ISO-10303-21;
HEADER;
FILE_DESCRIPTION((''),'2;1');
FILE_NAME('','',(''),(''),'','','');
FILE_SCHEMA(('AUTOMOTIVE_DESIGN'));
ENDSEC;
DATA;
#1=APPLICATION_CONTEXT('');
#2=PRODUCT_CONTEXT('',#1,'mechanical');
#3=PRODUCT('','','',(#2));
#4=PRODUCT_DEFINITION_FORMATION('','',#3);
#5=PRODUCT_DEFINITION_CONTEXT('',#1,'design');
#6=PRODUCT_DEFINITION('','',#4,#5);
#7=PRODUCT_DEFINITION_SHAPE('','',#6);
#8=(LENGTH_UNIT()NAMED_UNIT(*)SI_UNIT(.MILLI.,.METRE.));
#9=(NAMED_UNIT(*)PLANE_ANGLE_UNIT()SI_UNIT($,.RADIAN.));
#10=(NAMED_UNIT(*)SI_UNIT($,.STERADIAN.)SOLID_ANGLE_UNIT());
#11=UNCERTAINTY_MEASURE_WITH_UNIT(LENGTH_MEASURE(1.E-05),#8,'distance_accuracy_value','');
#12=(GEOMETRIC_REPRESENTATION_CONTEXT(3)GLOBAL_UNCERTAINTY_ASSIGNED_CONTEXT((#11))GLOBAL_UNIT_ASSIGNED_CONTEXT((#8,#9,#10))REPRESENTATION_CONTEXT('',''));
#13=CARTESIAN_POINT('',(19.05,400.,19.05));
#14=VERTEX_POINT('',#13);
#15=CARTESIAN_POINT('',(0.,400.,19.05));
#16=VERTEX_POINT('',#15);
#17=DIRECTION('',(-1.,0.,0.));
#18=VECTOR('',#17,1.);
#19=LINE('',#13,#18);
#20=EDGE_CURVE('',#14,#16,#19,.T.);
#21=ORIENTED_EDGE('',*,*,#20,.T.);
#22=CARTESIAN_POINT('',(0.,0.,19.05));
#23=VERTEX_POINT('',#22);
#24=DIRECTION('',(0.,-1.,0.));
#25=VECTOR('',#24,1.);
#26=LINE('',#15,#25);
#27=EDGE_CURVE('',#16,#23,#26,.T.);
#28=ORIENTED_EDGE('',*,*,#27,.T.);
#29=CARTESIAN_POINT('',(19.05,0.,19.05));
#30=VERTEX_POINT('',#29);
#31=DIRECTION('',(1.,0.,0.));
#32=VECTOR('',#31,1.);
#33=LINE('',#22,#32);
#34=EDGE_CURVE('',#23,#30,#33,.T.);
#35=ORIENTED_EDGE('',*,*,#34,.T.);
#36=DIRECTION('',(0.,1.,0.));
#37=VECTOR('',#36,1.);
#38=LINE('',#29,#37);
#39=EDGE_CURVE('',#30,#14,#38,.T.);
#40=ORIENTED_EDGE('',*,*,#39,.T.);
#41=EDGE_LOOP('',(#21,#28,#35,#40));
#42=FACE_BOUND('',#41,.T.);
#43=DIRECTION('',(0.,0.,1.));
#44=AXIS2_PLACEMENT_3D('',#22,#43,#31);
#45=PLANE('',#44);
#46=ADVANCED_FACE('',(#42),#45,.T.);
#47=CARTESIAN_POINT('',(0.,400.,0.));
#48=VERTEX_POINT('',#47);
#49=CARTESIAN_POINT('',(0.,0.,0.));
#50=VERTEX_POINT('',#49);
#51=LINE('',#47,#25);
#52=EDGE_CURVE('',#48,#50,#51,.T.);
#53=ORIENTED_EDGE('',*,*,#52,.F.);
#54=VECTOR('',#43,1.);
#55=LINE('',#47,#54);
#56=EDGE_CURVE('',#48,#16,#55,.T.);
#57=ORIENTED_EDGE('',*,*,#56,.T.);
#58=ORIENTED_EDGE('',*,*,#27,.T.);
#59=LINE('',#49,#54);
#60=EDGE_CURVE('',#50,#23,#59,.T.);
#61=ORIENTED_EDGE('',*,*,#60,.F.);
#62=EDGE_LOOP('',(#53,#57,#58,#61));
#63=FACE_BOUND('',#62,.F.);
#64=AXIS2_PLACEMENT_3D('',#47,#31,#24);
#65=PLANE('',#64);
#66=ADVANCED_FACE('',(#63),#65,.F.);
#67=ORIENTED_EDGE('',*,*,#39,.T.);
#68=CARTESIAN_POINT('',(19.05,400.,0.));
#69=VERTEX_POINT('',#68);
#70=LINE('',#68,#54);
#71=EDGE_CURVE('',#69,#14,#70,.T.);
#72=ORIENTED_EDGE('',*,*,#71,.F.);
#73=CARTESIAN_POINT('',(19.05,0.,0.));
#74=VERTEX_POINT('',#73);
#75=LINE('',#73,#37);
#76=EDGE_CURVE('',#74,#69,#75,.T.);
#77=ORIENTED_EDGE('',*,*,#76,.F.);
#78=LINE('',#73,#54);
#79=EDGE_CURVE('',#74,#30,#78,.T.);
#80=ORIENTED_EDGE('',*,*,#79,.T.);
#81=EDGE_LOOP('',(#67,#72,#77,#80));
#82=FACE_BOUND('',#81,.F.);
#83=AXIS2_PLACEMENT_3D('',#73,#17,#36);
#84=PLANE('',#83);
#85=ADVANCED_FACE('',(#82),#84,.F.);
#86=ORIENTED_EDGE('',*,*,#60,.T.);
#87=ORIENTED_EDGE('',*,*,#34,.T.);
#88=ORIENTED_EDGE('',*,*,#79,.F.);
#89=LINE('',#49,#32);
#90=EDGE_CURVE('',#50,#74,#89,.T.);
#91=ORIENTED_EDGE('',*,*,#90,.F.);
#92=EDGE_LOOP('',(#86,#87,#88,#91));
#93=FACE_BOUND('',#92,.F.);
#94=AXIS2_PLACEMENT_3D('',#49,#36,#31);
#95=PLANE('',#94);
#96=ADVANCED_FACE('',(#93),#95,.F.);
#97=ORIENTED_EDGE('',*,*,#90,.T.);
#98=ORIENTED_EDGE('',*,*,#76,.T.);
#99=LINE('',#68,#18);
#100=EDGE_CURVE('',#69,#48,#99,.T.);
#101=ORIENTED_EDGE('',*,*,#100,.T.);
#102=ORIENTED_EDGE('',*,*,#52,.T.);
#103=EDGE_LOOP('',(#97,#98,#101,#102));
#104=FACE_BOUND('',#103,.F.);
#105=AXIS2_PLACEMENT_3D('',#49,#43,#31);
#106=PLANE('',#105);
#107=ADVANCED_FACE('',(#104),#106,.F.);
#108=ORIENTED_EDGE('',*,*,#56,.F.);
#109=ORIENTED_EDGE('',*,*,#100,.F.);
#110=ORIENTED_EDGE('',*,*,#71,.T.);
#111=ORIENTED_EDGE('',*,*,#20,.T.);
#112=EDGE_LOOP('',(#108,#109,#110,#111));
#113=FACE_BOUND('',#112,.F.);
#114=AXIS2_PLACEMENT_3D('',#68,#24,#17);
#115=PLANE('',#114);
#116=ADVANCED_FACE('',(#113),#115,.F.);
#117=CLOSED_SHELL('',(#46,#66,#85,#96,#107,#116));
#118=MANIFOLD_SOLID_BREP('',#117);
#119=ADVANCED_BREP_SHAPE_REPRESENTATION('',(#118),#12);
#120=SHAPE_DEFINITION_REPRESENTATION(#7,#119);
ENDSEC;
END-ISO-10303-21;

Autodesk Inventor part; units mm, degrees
ref_plane "YZ Plane" through (0, 0, 0) normal (1, 0, 0) x (0, 1, 0)
ref_plane "XZ Plane" through (0, 0, 0) normal (0, 1, 0) x (-1, 0, 0)
ref_plane "XY Plane" through (0, 0, 0) normal (0, 0, 1) x (1, 0, 0)
sketch "Sketch1" plane through (0, 0, 0) normal (0, 0, 1) x (1, 0, 0)
  line L0 (0, 0) -> (19.05, 0)
  line L1 (19.05, 0) -> (19.05, 400)
  line L2 (19.05, 400) -> (0, 400)
  line L3 (0, 400) -> (0, 0)
  dimension "d0" = 19.05
  dimension "d1" = 400
extrude "Extrusion1" add sketch "Sketch1" along normal blind 19.05
properties part number "C001" material "Wood (Birch)"
